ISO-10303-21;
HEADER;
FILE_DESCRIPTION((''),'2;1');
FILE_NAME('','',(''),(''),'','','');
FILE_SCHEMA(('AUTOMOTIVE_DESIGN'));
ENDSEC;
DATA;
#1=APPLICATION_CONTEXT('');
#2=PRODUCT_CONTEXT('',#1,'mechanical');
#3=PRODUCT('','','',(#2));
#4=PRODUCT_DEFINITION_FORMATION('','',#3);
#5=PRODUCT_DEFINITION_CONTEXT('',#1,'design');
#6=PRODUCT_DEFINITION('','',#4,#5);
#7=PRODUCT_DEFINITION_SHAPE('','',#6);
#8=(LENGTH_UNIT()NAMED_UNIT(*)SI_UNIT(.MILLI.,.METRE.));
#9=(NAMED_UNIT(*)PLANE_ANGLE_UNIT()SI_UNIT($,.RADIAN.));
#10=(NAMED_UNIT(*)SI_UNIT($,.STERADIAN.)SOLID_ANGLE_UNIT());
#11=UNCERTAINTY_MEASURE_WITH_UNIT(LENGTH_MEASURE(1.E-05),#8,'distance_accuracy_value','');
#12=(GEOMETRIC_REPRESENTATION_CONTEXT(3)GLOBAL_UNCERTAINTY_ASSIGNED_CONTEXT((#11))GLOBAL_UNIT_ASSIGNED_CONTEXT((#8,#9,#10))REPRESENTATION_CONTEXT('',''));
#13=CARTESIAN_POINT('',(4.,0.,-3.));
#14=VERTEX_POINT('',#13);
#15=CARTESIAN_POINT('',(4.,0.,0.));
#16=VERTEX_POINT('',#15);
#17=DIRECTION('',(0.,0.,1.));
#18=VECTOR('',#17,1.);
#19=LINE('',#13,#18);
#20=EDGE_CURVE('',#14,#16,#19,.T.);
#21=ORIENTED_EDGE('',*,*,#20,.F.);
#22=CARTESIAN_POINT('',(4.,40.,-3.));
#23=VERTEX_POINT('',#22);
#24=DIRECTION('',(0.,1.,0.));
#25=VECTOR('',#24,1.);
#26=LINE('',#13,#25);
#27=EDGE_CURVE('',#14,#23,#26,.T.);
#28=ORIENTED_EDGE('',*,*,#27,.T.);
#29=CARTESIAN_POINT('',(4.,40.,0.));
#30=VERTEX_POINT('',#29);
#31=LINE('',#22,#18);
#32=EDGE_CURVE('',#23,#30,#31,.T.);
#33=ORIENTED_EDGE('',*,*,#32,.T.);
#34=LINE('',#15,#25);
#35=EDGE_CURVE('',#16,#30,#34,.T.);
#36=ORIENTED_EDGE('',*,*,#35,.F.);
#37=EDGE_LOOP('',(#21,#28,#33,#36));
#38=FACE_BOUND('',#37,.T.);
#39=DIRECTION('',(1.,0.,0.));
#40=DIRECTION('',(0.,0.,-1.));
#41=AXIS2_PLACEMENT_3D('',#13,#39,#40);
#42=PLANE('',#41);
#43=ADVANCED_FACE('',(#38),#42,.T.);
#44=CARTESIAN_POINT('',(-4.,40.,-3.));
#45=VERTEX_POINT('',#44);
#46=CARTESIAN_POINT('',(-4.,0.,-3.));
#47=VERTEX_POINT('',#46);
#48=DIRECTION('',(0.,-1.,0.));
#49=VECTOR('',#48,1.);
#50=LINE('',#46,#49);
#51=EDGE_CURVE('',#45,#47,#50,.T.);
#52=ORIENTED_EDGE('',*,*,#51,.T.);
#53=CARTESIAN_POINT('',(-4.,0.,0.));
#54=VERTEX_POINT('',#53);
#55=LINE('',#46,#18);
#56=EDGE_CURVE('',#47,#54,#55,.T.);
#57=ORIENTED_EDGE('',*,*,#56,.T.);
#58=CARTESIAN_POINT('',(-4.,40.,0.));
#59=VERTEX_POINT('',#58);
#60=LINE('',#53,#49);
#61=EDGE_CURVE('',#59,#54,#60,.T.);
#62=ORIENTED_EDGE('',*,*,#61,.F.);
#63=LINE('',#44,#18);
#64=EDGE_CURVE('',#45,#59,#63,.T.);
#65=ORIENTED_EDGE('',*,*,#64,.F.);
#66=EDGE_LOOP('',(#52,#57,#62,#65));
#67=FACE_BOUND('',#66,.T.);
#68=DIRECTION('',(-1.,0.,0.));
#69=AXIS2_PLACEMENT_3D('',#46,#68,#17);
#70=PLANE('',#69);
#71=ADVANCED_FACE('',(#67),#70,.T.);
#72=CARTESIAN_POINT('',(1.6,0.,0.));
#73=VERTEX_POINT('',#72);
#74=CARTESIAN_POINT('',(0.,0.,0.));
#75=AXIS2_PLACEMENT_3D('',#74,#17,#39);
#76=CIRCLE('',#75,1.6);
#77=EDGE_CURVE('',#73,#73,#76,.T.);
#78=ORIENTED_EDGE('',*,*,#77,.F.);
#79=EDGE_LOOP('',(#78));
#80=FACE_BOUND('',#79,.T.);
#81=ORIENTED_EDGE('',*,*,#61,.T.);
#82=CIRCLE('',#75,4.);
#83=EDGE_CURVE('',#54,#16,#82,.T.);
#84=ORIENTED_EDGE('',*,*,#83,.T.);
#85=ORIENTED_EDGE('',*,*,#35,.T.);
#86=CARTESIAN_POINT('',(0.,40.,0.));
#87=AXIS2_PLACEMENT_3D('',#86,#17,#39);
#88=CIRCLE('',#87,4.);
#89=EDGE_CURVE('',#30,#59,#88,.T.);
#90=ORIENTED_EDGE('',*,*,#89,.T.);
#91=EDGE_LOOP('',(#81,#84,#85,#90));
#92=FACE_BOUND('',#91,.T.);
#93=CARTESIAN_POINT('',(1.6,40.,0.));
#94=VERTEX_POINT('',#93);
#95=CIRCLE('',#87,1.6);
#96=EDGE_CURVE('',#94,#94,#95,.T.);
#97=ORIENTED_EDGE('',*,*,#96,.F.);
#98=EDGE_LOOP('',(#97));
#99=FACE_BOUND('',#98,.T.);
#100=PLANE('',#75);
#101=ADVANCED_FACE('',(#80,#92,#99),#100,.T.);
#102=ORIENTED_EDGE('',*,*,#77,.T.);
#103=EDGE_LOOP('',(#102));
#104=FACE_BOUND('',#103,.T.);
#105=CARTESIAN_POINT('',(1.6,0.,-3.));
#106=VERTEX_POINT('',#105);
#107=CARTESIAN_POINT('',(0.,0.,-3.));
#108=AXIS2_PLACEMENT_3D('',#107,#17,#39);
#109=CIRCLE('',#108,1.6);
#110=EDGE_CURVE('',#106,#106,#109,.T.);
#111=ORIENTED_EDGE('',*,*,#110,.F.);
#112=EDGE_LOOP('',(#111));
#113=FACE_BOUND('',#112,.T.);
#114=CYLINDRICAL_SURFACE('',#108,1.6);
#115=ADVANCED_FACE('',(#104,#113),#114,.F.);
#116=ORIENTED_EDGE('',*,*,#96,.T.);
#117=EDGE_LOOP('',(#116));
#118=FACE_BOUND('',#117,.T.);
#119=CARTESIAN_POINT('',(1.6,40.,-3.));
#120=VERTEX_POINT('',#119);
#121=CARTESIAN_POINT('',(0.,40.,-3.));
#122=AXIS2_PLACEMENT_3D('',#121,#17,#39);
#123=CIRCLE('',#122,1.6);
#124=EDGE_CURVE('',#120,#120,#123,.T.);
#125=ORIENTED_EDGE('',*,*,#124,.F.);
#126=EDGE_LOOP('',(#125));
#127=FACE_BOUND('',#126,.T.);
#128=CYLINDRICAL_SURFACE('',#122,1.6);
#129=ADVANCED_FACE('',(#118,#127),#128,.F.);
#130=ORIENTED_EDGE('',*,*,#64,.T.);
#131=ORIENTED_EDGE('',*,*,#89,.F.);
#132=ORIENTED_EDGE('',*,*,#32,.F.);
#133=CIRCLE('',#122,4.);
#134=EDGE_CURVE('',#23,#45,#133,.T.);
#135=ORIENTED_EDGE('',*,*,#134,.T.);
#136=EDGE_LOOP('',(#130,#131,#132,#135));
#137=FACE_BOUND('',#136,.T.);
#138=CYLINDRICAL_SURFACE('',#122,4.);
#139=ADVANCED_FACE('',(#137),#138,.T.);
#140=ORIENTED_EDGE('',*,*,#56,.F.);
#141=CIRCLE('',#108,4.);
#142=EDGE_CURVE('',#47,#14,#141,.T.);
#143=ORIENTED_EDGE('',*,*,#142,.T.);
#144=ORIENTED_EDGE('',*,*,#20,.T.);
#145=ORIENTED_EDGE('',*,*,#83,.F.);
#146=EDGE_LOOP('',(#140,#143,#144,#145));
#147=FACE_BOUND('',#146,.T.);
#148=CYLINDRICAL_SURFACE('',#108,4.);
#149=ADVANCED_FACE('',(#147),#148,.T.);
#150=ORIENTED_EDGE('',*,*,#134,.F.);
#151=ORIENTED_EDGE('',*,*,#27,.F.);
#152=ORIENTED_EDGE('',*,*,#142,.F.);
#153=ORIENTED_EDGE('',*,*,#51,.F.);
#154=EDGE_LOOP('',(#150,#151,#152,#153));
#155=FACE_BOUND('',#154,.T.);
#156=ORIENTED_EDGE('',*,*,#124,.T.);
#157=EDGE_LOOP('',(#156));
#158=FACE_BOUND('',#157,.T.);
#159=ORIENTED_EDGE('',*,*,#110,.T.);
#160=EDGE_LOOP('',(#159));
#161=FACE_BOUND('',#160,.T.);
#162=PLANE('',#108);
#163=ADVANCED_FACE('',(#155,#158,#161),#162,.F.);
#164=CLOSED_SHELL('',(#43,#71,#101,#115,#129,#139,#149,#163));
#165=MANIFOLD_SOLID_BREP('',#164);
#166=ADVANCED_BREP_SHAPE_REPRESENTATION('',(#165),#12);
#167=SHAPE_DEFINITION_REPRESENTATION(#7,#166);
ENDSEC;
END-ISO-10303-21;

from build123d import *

# Parameters (mm, degrees)
BOSS_EXTRUDE1_DEPTH = 3
SKETCH3_R           = 1.6
CUT_EXTRUDE1_DEPTH  = 4


with BuildPart() as part:
    # Sketch1 → Boss-Extrude1 (new body)
    with BuildSketch(Plane.XY):
        with BuildLine():
            Line((-4, 0), (-4, 40))
            ThreePointArc((-4, 40), (0, 44), (4, 40))
            Line((4, 40), (4, 0))
            ThreePointArc((4, 0), (0, -4), (-4, 0))
        make_face()
    extrude(amount=-BOSS_EXTRUDE1_DEPTH)

    # Sketch3 → Cut-Extrude1 (cut, through all)
    with BuildSketch(Plane.XY):
        Circle(SKETCH3_R)
        with Locations((0, 40)):
            Circle(SKETCH3_R)
    extrude(amount=-CUT_EXTRUDE1_DEPTH, mode=Mode.SUBTRACT)


solid = part.part
